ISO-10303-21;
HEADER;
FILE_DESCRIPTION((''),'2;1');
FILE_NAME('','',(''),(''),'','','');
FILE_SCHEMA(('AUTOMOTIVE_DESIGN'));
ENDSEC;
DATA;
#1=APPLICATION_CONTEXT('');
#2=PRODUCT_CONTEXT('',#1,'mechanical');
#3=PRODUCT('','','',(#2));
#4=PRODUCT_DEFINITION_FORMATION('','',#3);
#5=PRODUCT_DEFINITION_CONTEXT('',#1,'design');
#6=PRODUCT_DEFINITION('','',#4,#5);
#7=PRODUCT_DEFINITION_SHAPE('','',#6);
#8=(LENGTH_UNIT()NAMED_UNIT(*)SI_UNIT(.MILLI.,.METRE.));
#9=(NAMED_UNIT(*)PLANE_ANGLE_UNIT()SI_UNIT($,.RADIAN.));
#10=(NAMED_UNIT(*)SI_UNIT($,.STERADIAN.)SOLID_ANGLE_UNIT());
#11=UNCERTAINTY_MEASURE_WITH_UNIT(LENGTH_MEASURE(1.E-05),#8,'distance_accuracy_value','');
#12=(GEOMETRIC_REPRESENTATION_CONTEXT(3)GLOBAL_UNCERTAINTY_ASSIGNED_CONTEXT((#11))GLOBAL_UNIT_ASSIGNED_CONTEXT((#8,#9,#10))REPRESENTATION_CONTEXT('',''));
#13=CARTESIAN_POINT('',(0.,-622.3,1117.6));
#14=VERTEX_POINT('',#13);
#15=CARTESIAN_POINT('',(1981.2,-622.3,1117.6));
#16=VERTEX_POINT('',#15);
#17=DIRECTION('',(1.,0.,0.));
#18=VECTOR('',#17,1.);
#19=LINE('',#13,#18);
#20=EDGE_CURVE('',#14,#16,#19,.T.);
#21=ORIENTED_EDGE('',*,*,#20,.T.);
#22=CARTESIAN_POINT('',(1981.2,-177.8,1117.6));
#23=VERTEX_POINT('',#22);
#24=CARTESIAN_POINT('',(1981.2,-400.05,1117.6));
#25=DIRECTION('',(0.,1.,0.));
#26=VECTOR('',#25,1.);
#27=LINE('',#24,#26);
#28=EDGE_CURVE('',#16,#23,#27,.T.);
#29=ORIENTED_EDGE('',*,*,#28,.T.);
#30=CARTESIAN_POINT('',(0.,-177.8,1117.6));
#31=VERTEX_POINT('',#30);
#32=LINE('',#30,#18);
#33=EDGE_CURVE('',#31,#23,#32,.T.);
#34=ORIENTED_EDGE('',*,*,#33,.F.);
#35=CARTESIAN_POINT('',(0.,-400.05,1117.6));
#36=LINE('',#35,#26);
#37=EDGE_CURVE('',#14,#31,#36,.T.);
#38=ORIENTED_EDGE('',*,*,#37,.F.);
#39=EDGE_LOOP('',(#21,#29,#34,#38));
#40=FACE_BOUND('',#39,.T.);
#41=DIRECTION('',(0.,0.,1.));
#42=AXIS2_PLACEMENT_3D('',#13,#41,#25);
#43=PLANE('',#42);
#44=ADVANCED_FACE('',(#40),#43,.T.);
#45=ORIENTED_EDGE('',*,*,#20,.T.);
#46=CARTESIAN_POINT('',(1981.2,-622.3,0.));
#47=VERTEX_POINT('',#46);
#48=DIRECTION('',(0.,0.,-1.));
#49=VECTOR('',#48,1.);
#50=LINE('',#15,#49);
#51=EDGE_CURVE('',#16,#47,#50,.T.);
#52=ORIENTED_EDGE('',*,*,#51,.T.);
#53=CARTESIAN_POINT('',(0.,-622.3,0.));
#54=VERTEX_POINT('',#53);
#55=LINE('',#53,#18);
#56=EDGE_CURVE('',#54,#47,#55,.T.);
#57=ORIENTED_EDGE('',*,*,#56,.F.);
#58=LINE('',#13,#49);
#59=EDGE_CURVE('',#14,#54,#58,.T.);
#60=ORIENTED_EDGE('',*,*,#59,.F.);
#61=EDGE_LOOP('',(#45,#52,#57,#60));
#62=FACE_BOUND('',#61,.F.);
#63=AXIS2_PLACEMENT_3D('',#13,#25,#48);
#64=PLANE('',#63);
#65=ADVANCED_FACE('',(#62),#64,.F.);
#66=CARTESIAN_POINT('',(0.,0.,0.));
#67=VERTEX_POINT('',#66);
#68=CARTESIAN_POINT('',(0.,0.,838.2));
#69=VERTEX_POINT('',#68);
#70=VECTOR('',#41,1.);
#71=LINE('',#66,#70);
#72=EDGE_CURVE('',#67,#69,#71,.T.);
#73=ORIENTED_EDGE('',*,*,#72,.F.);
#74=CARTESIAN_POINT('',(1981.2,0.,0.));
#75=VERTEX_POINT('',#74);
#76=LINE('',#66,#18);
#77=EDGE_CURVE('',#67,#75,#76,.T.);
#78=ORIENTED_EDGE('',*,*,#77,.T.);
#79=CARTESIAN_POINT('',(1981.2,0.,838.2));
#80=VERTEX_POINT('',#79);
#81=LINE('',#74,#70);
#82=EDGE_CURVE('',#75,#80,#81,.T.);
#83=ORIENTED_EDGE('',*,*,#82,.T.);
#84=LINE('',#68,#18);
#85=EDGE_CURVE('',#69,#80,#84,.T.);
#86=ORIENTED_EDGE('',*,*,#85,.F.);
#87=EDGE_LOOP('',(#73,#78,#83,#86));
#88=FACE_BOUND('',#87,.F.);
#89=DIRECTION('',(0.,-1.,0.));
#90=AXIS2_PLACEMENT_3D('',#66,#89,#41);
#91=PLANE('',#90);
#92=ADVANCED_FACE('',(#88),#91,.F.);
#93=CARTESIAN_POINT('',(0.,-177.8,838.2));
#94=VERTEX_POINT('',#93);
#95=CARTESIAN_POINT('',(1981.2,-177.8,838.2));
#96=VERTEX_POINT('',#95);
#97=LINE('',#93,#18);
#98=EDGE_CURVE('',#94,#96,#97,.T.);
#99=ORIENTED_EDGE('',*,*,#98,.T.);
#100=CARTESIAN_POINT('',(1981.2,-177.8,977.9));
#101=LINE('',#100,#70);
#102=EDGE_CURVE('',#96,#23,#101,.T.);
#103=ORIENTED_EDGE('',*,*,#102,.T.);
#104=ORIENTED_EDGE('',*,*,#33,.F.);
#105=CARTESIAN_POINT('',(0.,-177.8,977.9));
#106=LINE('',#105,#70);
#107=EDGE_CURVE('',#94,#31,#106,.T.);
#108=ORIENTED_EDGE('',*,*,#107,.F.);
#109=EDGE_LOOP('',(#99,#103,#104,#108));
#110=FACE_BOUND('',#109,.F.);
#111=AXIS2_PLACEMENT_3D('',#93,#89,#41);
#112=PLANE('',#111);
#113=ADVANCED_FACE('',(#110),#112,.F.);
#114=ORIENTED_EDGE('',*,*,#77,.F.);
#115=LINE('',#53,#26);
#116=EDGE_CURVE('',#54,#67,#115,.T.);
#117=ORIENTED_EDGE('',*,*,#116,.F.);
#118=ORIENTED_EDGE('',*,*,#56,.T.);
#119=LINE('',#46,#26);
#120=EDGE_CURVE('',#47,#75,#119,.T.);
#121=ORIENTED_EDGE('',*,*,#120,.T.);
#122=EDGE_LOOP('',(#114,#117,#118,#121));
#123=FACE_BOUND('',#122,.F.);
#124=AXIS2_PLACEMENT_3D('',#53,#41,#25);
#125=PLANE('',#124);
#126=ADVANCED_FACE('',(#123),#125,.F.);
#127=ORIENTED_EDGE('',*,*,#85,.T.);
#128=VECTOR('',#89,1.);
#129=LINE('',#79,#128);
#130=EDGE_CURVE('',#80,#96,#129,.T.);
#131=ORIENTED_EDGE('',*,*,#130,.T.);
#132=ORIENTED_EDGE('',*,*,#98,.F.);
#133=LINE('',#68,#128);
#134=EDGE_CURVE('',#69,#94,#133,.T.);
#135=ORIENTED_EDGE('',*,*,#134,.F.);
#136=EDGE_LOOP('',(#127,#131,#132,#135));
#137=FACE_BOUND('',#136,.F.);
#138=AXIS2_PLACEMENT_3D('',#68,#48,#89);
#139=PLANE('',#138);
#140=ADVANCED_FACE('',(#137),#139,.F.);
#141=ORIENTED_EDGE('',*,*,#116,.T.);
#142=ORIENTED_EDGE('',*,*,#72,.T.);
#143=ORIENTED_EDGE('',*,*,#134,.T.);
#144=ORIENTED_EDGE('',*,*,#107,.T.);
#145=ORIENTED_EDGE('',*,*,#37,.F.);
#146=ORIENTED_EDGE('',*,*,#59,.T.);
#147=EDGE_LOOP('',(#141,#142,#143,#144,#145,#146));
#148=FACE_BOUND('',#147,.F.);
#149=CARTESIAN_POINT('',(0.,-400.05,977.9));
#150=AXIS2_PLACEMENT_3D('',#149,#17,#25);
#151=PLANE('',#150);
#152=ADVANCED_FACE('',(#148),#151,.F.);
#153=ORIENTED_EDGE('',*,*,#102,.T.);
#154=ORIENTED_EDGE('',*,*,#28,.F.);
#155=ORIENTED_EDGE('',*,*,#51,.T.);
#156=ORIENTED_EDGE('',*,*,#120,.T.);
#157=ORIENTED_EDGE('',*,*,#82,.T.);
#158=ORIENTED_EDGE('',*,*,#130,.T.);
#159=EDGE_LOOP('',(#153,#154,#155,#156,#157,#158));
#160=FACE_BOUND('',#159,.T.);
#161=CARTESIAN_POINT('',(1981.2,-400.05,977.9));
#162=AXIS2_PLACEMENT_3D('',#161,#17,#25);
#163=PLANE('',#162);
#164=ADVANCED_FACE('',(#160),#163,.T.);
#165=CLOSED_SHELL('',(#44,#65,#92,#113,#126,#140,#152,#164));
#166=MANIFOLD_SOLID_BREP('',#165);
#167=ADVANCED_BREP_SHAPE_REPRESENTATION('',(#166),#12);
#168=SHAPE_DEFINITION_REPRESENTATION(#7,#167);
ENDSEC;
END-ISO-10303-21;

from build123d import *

# Parameters (mm, degrees)
F0_W     = 444.5
F0_H     = 279.4
F1_DEPTH = 1981.2


with BuildPart() as f1:
    # F0 (on Right) → F1 (new body)
    with BuildSketch(Plane.YZ):
        with Locations((-400.05, 977.9)):
            Rectangle(F0_W, F0_H)
        Polygon((-622.3, 0), (0, 0), (0, 838.2), (-177.8, 838.2), (-622.3, 838.2), align=None)
    extrude(amount=F1_DEPTH)


solid = f1.part
